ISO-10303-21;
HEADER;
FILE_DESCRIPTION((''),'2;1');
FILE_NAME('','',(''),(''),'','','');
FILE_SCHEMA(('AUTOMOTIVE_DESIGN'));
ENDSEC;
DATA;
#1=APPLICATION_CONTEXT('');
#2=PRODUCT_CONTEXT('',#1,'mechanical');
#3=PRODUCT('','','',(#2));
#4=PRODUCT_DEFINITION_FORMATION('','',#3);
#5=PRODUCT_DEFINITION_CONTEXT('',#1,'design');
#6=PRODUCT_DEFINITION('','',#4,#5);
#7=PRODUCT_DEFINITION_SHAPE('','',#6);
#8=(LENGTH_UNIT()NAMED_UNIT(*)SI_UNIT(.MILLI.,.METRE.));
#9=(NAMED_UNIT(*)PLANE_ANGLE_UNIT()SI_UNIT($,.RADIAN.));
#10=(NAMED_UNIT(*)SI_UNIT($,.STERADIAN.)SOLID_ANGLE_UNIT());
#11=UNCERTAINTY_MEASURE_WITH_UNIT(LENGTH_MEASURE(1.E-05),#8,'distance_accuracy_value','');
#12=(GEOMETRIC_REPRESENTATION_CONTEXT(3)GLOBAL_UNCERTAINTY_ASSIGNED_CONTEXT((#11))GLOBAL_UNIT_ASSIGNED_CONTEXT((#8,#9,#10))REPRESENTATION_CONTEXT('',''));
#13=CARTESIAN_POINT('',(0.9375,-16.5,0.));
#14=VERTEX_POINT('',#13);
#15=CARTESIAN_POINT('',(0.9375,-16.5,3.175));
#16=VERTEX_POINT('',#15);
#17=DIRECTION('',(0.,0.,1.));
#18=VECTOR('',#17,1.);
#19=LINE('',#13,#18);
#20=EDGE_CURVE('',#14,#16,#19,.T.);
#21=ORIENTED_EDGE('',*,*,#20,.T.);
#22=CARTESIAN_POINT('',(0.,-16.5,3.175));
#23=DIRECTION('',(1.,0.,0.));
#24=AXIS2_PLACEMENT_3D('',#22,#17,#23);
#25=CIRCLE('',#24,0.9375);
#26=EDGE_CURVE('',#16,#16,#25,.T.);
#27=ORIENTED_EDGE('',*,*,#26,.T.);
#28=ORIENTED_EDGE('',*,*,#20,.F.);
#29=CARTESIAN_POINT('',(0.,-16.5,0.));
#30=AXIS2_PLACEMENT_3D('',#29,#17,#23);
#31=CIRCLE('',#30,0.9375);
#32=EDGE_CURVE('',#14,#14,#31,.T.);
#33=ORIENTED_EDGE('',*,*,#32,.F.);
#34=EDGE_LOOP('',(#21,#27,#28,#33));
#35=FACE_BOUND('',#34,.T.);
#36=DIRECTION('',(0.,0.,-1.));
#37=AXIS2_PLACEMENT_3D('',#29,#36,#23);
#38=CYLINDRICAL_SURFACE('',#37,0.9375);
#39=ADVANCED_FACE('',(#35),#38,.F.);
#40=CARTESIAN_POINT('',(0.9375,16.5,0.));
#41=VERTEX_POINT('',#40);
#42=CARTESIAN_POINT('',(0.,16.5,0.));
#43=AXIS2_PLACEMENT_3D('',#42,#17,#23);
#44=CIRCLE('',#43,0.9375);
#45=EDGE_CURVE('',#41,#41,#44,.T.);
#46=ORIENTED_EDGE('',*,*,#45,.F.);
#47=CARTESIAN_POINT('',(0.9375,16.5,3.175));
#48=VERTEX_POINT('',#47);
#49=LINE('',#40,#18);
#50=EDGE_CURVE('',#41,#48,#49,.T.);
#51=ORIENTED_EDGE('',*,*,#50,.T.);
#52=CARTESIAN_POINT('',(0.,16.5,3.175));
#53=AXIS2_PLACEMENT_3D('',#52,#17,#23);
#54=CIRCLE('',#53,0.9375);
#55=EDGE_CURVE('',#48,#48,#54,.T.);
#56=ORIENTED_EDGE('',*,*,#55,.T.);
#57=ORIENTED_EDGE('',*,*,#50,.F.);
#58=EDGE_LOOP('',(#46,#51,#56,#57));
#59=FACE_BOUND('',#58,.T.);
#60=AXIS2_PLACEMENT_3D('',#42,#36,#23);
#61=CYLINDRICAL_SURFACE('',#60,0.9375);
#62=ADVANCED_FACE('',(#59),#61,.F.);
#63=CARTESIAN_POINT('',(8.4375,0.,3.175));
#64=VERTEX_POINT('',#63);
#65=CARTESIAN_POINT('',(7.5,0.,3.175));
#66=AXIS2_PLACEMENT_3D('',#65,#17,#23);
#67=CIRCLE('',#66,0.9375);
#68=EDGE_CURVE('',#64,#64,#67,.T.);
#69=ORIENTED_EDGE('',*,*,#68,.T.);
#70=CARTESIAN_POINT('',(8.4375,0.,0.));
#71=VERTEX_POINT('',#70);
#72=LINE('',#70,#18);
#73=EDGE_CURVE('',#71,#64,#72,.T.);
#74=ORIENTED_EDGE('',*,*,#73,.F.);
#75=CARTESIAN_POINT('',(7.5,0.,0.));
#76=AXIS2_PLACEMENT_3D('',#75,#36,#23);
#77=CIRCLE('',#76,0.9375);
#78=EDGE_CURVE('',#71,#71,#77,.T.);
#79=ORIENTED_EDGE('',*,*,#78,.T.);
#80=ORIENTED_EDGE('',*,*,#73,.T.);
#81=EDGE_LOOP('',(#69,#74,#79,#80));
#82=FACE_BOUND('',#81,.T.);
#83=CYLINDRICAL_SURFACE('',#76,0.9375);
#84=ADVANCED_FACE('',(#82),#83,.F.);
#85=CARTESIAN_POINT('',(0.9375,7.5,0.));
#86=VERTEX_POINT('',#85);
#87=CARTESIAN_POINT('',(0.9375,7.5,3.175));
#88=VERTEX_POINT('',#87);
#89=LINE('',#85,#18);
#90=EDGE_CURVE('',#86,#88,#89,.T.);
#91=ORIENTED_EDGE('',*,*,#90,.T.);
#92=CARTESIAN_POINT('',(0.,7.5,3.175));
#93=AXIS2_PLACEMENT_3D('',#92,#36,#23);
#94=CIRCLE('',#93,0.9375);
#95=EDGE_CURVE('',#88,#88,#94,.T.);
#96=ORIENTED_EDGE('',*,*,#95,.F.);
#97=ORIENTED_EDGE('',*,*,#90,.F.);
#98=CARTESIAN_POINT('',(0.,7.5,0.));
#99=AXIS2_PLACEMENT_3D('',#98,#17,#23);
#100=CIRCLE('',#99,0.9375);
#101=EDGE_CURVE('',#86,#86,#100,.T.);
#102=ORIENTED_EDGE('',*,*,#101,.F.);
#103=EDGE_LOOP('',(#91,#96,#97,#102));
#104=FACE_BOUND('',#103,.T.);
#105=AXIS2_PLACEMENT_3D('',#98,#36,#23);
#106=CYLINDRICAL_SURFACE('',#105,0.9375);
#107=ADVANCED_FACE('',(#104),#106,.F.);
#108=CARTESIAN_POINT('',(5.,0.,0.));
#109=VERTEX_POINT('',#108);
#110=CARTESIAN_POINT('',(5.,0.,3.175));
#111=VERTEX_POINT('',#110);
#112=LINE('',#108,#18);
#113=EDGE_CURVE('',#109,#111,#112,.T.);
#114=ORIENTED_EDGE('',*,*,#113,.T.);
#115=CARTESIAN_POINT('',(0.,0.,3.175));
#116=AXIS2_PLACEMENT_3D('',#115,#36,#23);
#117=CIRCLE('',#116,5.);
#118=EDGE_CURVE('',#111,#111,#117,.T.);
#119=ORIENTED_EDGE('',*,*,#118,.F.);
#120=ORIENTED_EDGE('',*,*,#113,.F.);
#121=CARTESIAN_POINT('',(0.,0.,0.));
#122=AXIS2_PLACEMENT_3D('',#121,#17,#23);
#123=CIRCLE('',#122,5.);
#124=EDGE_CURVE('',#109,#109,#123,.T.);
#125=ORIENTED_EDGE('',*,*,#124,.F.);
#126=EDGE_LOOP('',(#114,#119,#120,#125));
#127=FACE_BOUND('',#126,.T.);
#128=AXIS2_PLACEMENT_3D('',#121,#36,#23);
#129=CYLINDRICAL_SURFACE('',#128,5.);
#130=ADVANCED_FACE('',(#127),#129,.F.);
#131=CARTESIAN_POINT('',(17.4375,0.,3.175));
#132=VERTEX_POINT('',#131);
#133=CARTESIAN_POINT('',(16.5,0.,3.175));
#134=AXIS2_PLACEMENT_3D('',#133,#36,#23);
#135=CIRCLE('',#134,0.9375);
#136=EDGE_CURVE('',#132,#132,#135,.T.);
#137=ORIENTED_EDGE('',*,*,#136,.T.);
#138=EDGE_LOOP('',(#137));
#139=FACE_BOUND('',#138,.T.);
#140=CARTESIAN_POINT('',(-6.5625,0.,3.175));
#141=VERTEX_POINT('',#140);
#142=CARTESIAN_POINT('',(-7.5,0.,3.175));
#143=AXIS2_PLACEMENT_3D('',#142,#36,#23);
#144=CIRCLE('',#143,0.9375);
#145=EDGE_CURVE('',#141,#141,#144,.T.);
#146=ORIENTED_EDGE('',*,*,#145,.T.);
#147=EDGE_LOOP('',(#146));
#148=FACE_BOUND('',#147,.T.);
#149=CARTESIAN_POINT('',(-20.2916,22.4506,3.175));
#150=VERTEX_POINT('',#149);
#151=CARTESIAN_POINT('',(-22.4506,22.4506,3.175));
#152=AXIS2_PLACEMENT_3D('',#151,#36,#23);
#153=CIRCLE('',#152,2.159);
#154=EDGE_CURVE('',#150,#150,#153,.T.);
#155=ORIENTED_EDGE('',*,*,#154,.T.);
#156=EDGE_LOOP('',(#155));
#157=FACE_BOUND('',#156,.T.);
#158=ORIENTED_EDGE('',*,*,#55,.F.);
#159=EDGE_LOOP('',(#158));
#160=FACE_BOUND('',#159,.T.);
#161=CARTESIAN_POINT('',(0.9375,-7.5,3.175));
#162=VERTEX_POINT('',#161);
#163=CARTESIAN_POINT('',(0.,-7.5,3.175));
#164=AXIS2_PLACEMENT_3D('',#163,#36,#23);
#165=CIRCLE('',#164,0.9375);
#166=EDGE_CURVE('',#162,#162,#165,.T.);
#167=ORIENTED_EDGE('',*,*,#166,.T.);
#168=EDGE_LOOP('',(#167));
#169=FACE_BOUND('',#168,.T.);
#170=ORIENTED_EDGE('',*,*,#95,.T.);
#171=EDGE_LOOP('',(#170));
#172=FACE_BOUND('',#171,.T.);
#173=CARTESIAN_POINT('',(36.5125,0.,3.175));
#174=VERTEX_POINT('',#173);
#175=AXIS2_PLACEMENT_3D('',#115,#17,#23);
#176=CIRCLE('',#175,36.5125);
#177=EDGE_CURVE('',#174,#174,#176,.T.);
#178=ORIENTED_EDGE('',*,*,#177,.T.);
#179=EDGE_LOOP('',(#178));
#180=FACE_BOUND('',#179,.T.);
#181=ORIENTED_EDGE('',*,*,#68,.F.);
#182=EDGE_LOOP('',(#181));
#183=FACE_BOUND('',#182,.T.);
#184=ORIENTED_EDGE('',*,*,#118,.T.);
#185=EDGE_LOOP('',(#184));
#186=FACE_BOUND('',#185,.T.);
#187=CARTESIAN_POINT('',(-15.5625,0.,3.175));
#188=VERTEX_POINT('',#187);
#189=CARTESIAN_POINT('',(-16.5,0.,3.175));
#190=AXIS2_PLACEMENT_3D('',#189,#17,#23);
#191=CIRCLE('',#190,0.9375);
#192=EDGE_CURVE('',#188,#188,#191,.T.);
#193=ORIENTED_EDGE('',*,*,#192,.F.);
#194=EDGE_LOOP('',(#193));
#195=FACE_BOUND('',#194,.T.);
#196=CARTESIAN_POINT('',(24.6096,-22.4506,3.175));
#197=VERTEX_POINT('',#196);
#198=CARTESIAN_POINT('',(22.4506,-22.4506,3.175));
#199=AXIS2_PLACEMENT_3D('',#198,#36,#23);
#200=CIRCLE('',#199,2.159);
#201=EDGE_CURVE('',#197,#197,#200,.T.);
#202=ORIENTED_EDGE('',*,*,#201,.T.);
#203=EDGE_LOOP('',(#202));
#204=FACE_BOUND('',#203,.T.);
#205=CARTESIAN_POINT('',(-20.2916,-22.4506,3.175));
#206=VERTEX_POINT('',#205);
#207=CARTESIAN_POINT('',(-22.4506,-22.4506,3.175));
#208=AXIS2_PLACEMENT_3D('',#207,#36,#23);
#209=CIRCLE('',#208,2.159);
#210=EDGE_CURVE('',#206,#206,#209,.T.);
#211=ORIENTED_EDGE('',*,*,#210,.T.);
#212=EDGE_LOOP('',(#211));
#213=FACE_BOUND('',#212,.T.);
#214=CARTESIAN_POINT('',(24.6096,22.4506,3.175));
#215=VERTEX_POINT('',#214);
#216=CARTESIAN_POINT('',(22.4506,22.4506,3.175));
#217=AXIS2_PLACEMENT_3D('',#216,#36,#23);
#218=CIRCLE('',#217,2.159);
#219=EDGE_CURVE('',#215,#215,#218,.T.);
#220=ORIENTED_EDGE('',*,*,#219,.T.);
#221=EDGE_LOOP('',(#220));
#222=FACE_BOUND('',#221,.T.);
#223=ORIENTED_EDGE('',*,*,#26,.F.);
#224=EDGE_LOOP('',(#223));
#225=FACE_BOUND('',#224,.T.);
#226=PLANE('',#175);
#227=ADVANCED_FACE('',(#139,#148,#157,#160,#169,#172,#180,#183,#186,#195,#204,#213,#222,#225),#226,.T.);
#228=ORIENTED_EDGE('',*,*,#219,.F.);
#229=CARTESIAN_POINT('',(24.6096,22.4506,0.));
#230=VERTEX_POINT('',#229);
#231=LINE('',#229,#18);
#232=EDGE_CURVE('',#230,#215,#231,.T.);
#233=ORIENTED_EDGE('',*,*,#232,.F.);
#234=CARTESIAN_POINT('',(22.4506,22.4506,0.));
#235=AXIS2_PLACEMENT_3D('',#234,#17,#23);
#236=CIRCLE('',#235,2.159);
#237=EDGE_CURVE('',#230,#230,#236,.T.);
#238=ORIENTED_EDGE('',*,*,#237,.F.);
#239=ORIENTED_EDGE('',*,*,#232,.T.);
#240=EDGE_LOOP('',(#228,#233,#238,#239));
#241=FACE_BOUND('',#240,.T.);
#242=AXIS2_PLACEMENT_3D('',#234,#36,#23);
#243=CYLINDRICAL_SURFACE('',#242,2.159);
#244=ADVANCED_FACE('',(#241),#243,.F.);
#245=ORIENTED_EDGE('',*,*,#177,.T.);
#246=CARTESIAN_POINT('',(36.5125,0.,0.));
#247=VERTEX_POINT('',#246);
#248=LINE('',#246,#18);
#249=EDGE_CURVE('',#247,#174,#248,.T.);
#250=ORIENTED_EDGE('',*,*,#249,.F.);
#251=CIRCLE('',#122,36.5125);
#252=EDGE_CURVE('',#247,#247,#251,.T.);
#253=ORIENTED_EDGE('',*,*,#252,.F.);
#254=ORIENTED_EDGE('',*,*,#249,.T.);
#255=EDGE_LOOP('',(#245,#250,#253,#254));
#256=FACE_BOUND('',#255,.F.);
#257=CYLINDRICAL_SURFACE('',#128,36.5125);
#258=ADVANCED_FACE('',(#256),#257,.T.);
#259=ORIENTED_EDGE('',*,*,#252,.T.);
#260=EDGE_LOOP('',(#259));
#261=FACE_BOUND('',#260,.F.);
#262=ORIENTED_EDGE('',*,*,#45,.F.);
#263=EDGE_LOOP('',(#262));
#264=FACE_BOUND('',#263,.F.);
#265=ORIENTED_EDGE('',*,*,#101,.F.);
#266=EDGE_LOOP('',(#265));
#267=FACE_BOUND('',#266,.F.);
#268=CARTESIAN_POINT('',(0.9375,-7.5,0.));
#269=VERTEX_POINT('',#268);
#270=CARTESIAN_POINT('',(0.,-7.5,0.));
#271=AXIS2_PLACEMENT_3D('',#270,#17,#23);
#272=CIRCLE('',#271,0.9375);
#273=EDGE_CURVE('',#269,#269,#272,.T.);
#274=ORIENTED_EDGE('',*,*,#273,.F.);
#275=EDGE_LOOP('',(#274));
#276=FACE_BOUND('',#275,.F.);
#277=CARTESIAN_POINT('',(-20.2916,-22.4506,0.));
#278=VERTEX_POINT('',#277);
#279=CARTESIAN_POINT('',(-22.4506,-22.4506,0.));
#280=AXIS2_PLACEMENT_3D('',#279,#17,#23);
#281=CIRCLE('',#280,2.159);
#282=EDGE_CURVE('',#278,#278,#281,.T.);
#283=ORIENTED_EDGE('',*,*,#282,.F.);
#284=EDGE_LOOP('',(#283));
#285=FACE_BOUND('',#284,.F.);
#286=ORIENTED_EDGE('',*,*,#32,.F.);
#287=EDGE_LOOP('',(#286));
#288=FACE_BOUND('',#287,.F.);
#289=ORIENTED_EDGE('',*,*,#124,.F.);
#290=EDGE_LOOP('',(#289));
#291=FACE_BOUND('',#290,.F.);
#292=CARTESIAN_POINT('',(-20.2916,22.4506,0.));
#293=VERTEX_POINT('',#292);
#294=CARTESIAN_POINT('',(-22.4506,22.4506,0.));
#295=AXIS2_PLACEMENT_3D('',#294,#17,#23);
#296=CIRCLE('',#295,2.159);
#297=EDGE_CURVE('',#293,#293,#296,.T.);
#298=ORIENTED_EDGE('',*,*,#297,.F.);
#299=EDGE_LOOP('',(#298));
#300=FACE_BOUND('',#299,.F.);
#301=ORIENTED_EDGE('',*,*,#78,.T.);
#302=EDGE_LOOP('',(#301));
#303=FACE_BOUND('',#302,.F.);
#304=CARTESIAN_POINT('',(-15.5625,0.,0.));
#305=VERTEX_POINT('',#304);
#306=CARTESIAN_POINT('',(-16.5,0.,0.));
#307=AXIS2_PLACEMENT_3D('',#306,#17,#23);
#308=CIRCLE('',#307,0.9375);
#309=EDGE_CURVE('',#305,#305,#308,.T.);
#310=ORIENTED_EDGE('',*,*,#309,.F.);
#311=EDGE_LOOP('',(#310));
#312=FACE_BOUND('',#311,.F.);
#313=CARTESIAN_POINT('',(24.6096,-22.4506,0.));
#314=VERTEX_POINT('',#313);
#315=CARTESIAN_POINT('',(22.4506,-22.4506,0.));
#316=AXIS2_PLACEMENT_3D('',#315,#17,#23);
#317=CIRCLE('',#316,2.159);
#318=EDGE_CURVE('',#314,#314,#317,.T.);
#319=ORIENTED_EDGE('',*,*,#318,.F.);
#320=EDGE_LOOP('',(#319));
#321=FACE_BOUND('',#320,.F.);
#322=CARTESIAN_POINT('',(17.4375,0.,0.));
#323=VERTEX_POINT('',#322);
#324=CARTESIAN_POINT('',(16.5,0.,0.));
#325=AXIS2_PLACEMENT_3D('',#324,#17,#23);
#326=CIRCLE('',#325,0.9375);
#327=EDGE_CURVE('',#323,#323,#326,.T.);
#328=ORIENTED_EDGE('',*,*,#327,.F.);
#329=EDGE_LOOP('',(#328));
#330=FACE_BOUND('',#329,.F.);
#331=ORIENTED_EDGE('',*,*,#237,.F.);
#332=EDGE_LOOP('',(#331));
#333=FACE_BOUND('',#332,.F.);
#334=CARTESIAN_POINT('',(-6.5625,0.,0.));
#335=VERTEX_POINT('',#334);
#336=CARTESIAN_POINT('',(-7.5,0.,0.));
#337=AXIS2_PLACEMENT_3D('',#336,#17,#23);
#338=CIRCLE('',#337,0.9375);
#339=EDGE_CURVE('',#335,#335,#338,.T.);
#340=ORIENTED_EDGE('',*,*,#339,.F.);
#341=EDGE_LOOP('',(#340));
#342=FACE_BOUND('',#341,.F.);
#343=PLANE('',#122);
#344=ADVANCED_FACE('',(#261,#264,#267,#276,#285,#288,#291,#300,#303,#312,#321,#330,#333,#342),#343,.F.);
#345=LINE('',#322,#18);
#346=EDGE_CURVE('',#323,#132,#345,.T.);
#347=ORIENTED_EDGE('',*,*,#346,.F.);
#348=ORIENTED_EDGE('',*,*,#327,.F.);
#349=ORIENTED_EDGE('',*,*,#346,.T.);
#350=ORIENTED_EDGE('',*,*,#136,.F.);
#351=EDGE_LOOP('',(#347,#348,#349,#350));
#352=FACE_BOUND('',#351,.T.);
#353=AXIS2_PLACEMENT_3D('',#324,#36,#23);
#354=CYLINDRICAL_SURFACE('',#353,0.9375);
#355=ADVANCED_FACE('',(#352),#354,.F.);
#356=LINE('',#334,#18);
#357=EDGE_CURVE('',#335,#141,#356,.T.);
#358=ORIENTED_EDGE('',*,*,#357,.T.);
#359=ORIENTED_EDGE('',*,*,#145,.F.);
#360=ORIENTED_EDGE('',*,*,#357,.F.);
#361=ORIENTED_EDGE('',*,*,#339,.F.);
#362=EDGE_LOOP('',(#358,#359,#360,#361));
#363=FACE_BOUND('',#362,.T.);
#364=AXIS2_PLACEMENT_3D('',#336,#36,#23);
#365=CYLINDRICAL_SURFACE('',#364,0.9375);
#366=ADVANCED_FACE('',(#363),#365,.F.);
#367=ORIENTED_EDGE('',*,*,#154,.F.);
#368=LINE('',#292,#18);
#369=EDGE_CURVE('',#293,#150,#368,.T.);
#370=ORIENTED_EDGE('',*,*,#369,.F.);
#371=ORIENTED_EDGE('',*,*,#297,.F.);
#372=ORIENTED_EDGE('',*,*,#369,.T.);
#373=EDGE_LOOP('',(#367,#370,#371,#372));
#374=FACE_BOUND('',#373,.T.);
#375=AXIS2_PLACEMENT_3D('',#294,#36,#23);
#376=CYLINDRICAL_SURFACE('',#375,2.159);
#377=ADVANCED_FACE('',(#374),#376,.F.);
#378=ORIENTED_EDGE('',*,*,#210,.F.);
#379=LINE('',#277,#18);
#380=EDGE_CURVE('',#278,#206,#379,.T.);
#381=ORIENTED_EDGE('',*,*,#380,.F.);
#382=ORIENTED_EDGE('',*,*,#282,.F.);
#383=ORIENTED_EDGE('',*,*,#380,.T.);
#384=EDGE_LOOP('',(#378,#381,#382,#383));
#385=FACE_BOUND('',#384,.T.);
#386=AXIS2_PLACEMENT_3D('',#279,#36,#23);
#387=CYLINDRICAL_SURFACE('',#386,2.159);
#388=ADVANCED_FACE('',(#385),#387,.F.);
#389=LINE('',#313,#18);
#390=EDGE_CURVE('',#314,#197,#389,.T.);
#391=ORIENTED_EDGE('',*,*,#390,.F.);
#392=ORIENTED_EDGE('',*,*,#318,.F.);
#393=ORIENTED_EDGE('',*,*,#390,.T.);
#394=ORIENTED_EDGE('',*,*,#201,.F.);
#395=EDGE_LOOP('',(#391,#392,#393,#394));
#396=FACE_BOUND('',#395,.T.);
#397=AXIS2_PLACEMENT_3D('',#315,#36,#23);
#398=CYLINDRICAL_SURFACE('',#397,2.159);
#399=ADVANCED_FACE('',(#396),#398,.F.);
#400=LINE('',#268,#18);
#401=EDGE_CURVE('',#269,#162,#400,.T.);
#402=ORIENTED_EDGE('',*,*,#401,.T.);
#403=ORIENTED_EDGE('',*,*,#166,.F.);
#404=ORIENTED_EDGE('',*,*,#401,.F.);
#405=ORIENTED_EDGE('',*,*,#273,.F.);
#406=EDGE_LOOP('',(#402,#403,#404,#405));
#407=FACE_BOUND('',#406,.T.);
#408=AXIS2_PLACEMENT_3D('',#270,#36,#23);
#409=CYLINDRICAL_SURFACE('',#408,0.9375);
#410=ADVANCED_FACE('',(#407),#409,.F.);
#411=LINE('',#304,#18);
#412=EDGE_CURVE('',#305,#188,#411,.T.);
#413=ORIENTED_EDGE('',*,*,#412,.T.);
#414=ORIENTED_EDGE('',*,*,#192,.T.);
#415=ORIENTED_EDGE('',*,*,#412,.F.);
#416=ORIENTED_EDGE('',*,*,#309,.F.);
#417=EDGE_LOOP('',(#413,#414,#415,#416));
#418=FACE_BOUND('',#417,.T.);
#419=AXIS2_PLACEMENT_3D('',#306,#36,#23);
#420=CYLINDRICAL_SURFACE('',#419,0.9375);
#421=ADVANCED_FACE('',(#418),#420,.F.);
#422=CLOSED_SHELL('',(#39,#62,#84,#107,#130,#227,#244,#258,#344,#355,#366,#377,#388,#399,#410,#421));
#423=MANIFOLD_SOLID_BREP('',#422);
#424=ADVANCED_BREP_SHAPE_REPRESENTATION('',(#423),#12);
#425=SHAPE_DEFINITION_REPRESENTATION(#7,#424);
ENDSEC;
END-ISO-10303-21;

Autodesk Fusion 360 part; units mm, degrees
sketch "Sketch1" plane through (0, 0, 0) normal (0, 0, 1) x (1, 0, 0)
  circle A0 centre (0, 0) radius 7.5
  circle A1 centre (16.5, 0) radius 0.9375
  circle A2 centre (-16.5, 0) radius 0.9375
  circle A3 centre (0, -16.5) radius 0.9375
  circle A4 centre (0, 16.5) radius 0.9375
  line L0 (0, 0) -> (18.2563, 0) construction
  circle A5 centre (22.4506, 22.4506) radius 2.159
  circle A6 centre (22.4506, -22.4506) radius 2.159
  circle A7 centre (-22.4506, -22.4506) radius 2.159
  circle A8 centre (-22.4506, 22.4506) radius 2.159
  circle A9 centre (0, 0) radius 5
  circle A10 centre (0, 0) radius 36.5125
  line L1 (0, 0) -> (22.4506, 22.4506)
  line L2 (0, 0) -> (21.082, 0) construction
  line L3 (0, 0) -> (22.4506, -22.4506)
  line L4 (0, 0) -> (21.082, 0) construction
  line L5 (0, 0) -> (-22.4506, -22.4506)
  line L6 (0, 0) -> (21.082, 0) construction
  line L7 (0, 0) -> (-22.4506, 22.4506)
  line L8 (0, 0) -> (21.082, 0) construction
  arc A11 (-20.873, 23.9245) -> (20.873, 23.9245) centre (0, 0) ccw
  line L9 (16.5, 0) -> (10.5, 0)
  circle A12 centre (0, 0) radius 5.2451
  circle A13 centre (7.5, 0) radius 0.9375
  circle A14 centre (0, 7.5) radius 0.9375
  circle A15 centre (-7.5, 0) radius 0.9375
  circle A16 centre (0, -7.5) radius 0.9375
  dimension "d2" = 15
  dimension "d6" = 1.875
  dimension "d7" = 1.875
  dimension "d8" = 1.875
  dimension "d9" = 1.875
  dimension "d16" = 4.318
  dimension "d17" = 4.318
  dimension "d18" = 4.318
  dimension "d19" = 4.318
  dimension "d21" = 10
  dimension "d24" = 73.025
  dimension "d25" = 63.5
  dimension "d26" = 45
  dimension "d27" = 45
  dimension "d28" = 135
  dimension "d29" = 135
  dimension "d31" = 6
  dimension "d32" = 10.4902
  dimension "d33" = 1.875
  dimension "d35" = 360
extrude "Extrude1" add sketch "Sketch1" along normal blind 3.175 contours A0 L1 L3 A12 A13 | A0 A5 A6 L1 L3 A11 A13 | A0 L1 L7 A12 A14 | A0 A6 A7 L3 L5 A11 A16 | A0 L3 L5 A12 A16 | A9 L1 L3 A12 | A9 L1 L7 A12 | A9 L3 L5 A12 | A0 L5 L7 A12 A15 | A9 L5 L7 A12 | A0 A7 A8 L5 L7 A11 A15 | A10
equation "d22 = ( 1 / 8 ) * 1 in"
